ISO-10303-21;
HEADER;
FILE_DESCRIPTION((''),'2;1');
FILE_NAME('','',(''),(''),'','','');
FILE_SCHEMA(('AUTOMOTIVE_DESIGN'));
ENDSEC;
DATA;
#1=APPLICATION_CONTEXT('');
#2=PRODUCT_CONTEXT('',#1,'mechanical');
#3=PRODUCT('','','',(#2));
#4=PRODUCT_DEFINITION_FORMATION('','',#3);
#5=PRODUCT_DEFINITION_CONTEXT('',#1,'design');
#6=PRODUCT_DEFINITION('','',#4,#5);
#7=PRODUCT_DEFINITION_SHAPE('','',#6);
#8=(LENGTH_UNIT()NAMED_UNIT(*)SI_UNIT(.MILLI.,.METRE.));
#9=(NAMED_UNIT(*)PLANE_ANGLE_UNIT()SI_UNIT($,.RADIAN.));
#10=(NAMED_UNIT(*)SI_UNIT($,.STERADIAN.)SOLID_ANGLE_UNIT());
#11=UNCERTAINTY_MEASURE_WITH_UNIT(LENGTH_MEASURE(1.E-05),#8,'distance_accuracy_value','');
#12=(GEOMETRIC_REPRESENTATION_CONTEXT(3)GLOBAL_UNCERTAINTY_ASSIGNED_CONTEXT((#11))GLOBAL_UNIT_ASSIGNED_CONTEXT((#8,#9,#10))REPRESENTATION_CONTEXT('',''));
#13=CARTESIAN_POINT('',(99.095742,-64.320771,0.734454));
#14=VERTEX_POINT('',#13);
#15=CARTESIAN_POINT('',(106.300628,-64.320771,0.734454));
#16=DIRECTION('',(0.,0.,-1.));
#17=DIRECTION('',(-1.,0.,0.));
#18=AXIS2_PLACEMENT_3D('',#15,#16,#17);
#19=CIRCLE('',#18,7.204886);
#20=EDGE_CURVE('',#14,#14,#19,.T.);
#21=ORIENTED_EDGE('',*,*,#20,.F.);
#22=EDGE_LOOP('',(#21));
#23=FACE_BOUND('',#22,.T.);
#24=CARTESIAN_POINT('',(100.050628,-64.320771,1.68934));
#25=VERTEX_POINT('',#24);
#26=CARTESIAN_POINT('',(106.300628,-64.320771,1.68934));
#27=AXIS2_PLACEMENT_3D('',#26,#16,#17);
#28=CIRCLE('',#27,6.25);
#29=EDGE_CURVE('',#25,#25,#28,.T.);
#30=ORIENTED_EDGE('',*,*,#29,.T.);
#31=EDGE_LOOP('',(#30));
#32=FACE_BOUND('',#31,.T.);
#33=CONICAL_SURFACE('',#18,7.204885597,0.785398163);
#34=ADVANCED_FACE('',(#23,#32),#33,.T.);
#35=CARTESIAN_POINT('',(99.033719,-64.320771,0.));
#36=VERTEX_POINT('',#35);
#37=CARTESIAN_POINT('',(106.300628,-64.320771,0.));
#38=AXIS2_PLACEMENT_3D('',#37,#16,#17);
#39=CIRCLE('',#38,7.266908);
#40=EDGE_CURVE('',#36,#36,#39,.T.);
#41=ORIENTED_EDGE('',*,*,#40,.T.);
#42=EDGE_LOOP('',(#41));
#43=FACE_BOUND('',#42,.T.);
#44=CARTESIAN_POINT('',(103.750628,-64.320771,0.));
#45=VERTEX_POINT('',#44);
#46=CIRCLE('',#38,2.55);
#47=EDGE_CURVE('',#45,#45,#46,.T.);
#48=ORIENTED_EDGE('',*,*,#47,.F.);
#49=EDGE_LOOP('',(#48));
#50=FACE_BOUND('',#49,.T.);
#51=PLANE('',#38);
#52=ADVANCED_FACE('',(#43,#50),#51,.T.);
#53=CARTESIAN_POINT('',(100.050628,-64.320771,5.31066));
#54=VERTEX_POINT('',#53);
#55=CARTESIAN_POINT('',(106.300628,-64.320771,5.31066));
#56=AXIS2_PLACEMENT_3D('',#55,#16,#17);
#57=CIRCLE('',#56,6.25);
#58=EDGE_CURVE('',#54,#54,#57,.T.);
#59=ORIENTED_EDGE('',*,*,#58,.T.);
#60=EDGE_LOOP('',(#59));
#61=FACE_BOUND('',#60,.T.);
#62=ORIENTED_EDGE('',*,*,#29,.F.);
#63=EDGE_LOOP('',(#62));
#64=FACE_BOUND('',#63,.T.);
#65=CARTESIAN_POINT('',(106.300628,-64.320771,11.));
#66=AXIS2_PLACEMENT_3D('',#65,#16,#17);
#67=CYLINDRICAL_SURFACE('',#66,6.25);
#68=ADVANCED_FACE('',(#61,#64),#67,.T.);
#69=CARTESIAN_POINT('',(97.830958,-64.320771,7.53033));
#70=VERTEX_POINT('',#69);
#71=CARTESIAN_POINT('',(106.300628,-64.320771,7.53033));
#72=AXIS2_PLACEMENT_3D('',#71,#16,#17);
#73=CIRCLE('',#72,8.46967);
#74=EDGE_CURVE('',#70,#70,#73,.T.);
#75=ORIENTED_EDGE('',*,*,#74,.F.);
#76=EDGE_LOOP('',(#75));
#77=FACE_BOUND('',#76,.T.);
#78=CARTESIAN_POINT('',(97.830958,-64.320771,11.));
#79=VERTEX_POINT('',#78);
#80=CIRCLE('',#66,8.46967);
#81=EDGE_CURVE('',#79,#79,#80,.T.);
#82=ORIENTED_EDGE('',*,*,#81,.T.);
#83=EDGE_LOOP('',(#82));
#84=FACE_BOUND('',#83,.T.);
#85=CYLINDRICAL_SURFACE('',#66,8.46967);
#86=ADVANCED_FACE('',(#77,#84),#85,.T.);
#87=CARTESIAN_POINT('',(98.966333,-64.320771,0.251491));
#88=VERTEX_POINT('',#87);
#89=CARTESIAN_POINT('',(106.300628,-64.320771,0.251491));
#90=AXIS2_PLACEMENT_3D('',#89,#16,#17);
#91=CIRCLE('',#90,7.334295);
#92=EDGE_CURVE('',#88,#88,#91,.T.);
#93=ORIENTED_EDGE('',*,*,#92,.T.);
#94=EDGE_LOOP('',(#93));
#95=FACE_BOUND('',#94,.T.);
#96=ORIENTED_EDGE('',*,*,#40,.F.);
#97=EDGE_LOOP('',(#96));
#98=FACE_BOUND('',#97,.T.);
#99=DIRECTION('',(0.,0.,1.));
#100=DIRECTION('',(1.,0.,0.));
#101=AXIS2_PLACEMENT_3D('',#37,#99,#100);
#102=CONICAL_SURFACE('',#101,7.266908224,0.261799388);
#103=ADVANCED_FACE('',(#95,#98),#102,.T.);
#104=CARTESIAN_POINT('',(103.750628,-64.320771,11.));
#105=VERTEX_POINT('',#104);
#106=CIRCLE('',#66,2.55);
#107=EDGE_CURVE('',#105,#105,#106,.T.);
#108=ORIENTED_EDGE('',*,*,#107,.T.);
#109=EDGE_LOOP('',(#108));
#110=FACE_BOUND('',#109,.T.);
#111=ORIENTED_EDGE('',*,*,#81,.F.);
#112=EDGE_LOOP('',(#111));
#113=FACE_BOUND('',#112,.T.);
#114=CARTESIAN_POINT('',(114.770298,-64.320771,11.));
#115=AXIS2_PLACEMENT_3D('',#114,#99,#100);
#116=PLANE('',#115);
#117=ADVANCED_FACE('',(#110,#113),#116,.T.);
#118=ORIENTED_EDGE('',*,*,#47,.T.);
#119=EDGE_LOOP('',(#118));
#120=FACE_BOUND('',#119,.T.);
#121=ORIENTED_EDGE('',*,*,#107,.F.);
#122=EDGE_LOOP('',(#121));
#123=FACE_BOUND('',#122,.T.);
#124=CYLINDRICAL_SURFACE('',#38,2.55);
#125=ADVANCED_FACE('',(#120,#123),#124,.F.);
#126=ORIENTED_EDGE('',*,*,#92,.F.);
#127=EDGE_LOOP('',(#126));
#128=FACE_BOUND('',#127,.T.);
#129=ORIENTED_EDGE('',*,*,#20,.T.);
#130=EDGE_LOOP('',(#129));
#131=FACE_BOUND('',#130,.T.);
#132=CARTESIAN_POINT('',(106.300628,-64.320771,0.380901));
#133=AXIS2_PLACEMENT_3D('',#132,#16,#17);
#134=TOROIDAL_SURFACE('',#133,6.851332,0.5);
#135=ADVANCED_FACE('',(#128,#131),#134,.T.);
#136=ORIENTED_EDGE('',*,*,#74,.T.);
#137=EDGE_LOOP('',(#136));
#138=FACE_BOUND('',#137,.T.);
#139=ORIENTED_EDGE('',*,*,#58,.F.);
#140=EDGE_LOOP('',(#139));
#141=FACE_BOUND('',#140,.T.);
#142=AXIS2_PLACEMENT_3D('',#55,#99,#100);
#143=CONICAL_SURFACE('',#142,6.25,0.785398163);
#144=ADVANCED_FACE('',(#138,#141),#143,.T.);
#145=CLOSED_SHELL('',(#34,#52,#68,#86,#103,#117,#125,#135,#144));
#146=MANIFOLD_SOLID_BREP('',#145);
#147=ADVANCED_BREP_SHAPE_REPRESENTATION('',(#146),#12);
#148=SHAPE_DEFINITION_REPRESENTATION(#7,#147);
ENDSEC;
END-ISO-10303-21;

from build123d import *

# Parameters (mm, degrees)
F_5_1_5_1_DIAMETER_HOLE1_D = 5.1


with BuildPart() as part:
    # Sketch1 → Revolve1 (revolve)
    with BuildSketch(Plane.XZ.offset(64.320770854)):
        with BuildLine():
            Line((114.770297578, 11), (106.300627664, 11))
            Line((106.300627664, 11), (106.300627664, 0))
            Line((106.300627664, 0), (113.567535888, 0))
            Line((113.567535888, 0), (113.634922783, 0.251491318))
            ThreePointArc((113.634922783, 0.251491318), (113.634922783, 0.510310363), (113.505513261, 0.734454231))
            Line((113.505513261, 0.734454231), (112.550627664, 1.689339828))
            Line((112.550627664, 1.689339828), (112.550627664, 5.310660172))
            Line((112.550627664, 5.310660172), (114.770297578, 7.530330086))
            Line((114.770297578, 7.530330086), (114.770297578, 11))
        make_face()
    revolve(axis=Axis((106.300627664, -64.320770854, 11), (0, 0, -1)))

    # Ø5.1 (5.1) Diameter Hole1 (through all)
    with Locations(Plane(origin=(0, 0, 0), x_dir=(-1, 0, 0), z_dir=(0, 0, -1))):
        with Locations((-106.300627664, -64.320770854)):
            Hole(F_5_1_5_1_DIAMETER_HOLE1_D / 2)


solid = part.part
